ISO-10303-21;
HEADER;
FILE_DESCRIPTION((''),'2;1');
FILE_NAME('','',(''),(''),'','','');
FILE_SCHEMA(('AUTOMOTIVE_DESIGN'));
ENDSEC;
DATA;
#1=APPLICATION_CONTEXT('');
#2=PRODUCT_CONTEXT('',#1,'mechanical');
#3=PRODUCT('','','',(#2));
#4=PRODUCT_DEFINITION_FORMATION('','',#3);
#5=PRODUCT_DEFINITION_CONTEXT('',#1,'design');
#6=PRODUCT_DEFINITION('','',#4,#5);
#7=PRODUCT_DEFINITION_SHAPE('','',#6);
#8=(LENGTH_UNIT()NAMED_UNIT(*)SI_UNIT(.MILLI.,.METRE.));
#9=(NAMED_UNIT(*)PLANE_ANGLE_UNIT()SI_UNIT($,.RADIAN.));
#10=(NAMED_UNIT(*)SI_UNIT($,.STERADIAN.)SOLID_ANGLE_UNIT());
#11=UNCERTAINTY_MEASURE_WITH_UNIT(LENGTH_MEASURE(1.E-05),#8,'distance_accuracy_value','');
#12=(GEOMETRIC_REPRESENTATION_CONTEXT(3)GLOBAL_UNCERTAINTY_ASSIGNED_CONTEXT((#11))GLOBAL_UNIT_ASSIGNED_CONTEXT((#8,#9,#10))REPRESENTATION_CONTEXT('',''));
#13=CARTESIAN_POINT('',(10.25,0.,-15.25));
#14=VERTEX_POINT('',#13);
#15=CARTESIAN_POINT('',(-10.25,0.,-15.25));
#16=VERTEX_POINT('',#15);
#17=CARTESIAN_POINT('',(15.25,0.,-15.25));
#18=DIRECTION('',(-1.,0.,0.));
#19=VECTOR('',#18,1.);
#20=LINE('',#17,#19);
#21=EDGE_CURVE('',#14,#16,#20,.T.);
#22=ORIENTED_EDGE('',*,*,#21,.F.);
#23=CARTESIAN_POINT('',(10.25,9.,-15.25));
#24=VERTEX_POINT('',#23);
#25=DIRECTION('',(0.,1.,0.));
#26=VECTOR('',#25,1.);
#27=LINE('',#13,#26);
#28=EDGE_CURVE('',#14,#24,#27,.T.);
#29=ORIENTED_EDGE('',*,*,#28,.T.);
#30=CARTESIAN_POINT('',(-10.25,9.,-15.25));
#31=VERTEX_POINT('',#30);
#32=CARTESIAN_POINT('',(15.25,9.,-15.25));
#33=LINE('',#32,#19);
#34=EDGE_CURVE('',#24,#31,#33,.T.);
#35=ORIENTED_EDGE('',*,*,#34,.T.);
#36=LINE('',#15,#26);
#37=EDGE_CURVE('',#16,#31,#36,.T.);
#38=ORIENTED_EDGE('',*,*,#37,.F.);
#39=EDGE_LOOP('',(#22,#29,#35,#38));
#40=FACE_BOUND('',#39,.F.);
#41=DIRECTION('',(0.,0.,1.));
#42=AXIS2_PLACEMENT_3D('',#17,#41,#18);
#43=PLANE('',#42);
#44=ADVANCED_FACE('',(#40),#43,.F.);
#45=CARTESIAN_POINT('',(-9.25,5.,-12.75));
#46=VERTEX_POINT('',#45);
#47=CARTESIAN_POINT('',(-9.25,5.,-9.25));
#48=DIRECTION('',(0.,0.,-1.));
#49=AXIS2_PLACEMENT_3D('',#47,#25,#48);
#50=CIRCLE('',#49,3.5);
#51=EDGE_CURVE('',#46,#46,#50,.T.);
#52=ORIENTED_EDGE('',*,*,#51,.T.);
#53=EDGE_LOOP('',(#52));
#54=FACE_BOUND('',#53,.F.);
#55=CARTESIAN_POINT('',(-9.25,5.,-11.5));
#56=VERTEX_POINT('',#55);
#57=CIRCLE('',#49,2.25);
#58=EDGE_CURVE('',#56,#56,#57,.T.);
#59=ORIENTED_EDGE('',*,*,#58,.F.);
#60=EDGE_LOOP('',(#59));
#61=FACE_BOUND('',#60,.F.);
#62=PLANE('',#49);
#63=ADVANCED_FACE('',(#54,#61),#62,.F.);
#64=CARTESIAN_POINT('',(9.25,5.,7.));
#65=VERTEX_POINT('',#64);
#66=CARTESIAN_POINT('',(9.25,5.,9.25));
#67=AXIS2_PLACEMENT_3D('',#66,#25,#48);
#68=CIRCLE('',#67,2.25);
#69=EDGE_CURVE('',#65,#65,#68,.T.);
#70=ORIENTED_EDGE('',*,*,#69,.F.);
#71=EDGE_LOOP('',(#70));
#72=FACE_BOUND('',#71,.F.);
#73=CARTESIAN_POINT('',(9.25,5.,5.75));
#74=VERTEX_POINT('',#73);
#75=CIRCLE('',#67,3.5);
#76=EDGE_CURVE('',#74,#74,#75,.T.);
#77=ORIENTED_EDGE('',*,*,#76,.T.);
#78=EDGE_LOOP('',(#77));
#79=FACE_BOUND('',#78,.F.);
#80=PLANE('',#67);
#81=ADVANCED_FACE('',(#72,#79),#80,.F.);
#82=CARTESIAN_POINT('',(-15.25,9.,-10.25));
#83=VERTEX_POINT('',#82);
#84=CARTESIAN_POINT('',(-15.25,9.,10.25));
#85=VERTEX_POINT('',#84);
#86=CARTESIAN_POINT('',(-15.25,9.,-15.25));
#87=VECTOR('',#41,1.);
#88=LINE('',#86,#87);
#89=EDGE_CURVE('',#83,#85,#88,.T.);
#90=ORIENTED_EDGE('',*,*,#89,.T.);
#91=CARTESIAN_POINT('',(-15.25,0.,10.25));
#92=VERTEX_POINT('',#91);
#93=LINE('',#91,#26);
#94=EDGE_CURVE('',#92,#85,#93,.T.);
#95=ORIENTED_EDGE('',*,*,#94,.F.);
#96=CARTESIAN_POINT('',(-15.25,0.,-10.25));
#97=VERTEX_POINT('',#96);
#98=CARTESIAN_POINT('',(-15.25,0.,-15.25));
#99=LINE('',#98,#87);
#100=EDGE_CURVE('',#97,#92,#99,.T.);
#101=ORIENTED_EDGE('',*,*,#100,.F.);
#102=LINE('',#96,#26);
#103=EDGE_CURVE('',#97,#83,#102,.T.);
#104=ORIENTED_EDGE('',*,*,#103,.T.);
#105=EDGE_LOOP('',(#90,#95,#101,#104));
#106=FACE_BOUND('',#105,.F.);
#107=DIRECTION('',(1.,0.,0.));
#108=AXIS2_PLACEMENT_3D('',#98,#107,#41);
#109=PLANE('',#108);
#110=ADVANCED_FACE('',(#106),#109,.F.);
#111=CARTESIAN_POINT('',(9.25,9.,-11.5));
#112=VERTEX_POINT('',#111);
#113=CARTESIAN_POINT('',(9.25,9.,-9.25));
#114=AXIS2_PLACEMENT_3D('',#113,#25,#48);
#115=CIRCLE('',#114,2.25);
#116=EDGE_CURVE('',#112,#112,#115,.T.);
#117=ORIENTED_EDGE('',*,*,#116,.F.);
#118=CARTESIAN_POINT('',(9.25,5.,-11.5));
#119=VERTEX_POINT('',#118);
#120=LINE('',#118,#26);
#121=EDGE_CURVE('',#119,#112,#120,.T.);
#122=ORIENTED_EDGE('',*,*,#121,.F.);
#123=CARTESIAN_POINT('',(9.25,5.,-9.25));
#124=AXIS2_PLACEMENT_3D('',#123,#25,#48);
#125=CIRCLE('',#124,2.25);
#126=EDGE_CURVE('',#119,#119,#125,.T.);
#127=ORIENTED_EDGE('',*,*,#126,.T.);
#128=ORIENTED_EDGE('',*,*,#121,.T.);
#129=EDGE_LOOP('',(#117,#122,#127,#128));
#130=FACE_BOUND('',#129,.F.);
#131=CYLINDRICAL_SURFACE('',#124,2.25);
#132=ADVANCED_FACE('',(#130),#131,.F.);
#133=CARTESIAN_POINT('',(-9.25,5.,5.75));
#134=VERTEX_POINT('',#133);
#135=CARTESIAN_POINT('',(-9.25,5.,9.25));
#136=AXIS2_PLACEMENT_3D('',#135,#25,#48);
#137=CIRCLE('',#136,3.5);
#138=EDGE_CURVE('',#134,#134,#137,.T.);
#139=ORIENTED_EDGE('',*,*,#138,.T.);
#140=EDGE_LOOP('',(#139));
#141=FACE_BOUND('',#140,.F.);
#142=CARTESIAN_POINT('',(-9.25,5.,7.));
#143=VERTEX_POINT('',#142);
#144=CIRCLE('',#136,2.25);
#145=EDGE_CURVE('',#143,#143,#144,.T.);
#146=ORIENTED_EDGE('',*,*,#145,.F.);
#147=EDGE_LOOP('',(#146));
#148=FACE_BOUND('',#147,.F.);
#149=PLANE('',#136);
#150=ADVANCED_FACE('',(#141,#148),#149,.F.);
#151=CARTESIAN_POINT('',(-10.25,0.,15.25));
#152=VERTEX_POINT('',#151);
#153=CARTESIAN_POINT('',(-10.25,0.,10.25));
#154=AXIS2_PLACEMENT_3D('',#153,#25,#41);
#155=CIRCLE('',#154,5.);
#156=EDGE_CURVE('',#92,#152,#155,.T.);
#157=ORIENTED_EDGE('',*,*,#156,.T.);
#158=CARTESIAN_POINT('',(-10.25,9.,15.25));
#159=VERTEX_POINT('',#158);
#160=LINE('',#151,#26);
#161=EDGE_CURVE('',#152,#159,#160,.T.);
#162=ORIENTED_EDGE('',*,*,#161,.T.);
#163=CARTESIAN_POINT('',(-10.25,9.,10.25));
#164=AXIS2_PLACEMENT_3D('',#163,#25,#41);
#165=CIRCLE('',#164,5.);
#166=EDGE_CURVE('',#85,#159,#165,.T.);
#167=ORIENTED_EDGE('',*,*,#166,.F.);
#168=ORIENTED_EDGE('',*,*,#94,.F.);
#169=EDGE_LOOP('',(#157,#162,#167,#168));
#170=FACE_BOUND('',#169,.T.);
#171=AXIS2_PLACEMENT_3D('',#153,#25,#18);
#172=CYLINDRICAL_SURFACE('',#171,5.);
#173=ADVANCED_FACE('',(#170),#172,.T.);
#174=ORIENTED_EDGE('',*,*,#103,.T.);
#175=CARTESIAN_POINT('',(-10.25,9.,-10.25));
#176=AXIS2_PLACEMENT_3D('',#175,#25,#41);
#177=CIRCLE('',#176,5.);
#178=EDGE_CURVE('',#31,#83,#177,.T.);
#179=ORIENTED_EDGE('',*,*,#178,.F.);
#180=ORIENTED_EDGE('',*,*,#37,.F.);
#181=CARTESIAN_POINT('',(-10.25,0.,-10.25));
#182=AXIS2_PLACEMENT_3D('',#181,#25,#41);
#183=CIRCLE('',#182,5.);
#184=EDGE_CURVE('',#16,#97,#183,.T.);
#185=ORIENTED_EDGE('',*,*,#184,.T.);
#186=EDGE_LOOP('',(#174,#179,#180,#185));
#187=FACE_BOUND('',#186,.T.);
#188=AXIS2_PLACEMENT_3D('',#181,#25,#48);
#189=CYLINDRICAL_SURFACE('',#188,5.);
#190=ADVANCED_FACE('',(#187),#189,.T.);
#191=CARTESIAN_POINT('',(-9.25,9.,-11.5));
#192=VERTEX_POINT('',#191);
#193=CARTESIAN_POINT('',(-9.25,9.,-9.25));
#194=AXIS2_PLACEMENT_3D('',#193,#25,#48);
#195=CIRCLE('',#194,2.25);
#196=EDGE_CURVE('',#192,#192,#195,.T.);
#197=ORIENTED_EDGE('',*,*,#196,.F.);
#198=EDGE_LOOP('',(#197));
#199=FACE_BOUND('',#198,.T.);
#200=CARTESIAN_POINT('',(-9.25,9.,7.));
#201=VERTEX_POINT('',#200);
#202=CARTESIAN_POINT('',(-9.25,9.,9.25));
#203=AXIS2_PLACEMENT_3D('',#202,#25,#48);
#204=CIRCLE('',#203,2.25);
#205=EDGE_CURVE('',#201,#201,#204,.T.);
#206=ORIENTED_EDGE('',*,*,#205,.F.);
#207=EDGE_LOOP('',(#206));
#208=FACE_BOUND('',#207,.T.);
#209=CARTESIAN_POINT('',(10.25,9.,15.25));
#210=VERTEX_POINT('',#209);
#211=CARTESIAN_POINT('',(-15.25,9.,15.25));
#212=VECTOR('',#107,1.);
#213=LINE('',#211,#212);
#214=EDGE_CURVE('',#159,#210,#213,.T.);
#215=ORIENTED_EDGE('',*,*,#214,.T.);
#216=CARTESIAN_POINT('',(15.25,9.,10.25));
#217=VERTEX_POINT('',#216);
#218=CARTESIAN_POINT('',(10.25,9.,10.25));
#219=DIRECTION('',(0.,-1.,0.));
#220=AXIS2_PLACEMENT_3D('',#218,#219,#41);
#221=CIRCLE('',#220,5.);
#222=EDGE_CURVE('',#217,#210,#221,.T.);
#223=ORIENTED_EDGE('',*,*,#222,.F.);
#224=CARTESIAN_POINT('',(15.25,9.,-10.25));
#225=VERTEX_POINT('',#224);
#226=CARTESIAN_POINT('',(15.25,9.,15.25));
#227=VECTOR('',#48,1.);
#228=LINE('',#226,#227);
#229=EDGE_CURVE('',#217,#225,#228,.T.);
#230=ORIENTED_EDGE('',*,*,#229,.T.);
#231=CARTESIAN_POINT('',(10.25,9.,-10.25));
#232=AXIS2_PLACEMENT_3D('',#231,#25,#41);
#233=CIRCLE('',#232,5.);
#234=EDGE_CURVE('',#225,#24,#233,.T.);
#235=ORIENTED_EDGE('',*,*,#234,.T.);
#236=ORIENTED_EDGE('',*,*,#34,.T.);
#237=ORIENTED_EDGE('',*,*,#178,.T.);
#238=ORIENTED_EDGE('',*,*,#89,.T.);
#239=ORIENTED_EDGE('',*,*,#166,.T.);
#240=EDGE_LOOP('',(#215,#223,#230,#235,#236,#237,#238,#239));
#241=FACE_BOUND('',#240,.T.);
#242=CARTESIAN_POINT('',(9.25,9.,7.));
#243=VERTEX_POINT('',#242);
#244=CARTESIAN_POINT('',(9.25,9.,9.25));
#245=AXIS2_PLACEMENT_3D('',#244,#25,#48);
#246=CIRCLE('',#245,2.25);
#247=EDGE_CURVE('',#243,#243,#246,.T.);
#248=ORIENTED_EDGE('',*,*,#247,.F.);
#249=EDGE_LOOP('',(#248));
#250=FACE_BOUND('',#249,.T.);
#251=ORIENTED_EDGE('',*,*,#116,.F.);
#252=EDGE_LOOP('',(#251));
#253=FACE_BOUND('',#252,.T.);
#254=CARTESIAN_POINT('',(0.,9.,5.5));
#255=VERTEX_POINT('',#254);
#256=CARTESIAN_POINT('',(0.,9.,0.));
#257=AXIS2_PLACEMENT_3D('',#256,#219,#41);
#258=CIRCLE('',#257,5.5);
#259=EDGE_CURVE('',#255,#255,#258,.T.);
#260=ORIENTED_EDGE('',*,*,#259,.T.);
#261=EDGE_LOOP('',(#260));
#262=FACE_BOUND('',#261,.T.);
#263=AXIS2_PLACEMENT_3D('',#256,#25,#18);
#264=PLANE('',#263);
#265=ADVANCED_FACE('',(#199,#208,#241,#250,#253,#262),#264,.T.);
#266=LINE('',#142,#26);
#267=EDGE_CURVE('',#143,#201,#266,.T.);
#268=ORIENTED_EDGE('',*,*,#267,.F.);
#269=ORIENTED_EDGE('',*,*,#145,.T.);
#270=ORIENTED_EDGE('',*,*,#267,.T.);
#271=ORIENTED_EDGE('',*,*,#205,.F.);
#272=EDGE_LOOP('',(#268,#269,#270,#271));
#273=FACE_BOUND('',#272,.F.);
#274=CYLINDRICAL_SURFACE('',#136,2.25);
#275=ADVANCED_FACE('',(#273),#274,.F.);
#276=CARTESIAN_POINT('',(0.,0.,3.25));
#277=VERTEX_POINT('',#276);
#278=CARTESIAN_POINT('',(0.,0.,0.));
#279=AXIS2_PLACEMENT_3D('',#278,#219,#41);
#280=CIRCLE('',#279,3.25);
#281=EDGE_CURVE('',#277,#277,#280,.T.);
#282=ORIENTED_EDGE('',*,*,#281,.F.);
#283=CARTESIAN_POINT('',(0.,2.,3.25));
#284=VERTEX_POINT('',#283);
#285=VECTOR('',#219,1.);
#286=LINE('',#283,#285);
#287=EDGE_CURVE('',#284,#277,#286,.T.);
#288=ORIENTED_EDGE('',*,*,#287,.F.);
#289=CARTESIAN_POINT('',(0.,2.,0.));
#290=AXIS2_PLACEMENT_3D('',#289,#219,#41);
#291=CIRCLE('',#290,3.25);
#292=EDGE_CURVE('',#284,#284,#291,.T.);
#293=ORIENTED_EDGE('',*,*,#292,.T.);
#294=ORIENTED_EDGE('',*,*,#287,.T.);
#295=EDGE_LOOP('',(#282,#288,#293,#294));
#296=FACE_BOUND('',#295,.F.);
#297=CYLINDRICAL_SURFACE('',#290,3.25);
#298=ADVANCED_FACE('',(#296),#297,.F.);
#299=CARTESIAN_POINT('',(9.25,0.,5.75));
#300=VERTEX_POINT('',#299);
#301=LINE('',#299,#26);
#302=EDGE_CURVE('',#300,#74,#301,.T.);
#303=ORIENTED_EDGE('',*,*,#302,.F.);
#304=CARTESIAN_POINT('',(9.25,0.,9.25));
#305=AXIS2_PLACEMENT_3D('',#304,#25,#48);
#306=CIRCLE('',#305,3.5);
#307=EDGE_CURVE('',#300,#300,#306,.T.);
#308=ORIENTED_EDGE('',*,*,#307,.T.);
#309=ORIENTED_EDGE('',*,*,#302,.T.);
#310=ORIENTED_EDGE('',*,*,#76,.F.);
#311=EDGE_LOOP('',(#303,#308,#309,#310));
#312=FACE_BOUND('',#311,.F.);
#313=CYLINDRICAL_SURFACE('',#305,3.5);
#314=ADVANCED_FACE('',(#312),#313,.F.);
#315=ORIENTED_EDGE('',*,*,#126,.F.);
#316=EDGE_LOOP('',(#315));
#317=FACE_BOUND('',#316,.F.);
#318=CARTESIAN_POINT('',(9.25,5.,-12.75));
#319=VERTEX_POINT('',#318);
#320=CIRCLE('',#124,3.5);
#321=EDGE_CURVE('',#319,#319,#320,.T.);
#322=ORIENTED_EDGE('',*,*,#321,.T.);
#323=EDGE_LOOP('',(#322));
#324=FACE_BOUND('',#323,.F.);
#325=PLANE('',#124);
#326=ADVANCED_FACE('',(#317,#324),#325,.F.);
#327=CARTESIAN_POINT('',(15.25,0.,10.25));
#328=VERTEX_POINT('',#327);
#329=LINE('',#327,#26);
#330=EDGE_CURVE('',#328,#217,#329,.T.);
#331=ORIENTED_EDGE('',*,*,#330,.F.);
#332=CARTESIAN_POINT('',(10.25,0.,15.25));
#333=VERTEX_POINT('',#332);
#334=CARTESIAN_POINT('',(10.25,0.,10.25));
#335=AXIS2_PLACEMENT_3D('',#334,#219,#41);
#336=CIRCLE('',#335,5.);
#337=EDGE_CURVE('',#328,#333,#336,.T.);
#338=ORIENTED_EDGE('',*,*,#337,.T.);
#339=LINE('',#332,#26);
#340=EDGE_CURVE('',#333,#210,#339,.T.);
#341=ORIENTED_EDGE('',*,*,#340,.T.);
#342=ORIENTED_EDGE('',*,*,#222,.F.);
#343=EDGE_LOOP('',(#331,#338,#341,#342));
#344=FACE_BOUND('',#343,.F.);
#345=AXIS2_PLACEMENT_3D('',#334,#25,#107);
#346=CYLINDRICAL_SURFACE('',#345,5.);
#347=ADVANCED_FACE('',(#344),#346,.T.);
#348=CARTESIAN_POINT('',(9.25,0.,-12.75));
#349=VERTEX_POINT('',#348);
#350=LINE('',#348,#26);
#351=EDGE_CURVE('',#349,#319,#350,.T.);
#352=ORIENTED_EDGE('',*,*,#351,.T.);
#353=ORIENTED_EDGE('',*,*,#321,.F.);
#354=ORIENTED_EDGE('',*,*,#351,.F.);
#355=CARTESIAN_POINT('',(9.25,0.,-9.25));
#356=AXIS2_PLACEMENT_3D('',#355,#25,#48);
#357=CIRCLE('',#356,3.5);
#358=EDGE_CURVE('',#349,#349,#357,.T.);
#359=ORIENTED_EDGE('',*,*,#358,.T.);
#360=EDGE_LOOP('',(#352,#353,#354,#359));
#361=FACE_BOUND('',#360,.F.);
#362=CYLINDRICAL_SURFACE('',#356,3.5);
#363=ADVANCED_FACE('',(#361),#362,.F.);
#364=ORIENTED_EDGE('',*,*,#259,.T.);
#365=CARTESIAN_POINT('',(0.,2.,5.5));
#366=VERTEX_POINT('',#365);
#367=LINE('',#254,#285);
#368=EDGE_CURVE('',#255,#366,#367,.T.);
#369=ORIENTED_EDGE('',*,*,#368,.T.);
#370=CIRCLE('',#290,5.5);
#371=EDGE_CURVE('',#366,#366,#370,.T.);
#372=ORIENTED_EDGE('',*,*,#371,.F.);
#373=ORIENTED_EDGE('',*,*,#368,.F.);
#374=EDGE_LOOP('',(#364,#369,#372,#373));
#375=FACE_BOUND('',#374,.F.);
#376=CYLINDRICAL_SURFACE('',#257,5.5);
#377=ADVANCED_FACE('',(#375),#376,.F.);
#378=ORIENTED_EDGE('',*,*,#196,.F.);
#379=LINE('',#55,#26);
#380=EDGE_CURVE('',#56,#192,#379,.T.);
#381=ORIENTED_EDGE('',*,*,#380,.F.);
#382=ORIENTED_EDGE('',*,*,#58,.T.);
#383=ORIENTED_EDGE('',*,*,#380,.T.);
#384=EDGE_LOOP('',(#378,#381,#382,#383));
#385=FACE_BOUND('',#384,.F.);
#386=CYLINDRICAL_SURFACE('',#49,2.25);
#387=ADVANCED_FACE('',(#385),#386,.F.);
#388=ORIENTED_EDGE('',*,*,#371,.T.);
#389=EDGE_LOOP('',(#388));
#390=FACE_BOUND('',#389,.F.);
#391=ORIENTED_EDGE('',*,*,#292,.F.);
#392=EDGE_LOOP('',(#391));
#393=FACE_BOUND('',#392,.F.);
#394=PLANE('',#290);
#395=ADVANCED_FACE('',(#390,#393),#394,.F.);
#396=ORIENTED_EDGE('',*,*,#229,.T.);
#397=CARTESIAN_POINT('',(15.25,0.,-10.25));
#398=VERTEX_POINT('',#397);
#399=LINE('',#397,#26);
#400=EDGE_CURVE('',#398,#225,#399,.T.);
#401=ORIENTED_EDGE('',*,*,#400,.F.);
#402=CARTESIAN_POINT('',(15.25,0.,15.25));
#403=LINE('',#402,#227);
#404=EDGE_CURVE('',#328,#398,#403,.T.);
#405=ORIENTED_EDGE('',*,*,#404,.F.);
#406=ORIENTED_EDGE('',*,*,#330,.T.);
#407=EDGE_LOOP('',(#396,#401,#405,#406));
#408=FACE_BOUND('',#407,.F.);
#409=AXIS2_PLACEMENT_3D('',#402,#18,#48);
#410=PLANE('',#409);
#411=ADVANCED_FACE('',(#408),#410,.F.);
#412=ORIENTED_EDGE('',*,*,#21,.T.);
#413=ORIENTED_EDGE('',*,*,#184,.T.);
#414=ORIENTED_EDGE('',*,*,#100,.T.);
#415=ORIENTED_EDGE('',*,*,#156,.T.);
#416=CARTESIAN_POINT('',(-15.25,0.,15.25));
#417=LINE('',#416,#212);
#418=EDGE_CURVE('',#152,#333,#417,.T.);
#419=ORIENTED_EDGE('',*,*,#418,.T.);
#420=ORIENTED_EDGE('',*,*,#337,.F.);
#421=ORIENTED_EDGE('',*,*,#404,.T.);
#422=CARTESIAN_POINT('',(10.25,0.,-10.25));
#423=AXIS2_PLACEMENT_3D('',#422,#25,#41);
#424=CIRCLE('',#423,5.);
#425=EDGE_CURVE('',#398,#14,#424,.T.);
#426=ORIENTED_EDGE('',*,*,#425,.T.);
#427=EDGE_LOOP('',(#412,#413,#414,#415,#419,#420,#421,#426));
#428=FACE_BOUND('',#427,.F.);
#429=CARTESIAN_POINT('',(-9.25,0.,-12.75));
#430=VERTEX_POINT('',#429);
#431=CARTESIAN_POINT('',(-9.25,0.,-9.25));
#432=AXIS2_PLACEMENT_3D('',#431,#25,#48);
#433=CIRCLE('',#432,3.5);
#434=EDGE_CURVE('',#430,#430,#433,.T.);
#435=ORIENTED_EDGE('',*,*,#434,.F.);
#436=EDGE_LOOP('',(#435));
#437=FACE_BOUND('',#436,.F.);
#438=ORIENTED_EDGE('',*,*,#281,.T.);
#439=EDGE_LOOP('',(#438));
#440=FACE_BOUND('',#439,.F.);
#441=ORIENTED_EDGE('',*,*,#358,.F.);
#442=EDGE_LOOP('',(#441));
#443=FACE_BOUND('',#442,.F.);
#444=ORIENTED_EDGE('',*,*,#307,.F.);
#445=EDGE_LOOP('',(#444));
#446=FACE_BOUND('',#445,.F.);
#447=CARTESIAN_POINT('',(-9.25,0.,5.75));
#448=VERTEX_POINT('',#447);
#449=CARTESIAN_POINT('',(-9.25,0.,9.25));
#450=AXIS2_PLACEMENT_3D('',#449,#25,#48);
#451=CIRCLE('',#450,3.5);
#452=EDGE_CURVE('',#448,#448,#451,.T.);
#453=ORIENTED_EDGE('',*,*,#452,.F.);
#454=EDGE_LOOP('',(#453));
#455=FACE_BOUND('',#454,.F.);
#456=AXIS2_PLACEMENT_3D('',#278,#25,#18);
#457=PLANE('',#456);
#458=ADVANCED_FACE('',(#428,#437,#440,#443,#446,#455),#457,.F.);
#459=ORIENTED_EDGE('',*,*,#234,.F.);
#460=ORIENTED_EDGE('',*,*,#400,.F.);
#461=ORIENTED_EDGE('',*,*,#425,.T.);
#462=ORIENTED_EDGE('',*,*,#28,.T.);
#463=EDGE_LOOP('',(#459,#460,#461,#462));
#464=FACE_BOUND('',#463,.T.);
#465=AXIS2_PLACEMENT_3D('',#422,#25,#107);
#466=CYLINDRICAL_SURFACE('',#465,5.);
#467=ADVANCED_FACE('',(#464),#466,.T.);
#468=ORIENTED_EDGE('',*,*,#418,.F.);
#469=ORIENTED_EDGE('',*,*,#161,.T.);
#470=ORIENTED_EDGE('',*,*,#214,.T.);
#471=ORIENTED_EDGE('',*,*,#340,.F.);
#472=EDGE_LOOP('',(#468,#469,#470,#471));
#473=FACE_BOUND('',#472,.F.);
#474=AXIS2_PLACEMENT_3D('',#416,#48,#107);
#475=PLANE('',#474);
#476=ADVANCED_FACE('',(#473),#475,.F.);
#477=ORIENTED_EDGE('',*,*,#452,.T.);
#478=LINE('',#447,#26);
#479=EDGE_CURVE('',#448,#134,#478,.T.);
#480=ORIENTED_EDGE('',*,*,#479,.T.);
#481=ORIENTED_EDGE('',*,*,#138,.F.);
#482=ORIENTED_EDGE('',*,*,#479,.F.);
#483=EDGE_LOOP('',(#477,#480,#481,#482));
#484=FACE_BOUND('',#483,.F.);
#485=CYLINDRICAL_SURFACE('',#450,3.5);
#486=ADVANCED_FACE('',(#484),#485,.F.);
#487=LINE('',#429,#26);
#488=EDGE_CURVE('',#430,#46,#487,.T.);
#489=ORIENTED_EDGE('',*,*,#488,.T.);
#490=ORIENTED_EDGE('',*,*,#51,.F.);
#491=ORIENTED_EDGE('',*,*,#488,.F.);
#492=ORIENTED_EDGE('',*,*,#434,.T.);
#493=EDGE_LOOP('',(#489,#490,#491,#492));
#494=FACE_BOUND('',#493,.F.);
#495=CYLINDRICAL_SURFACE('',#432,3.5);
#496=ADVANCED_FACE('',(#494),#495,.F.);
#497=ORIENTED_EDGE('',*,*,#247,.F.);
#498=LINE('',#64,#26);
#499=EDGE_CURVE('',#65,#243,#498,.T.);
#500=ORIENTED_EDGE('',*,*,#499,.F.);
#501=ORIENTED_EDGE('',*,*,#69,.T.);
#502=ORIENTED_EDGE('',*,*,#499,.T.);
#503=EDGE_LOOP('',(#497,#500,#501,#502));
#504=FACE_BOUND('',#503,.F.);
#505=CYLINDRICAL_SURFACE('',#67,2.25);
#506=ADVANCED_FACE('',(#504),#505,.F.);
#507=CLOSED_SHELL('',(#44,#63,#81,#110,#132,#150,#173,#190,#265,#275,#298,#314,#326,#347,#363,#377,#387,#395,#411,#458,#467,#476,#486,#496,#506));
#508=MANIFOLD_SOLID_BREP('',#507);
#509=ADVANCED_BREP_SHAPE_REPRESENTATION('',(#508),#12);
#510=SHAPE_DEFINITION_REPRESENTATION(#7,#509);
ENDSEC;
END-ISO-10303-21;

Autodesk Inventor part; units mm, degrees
ref_plane "YZ Plane" through (0, 0, 0) normal (1, 0, 0) x (0, 1, 0)
ref_plane "XZ Plane" through (0, 0, 0) normal (0, 1, 0) x (-1, 0, 0)
ref_plane "XY Plane" through (0, 0, 0) normal (0, 0, 1) x (1, 0, 0)
sketch "Sketch1" plane through (0, 0, 0) normal (0, 1, 0) x (-1, 0, 0)
  line L0 (-15.25, -15.25) -> (15.25, -15.25)
  line L1 (15.25, -15.25) -> (15.25, 15.25)
  line L2 (15.25, 15.25) -> (-15.25, 15.25)
  line L3 (-15.25, 15.25) -> (-15.25, -15.25)
  line L4 (-15.25, -15.25) -> (15.25, 15.25) construction
  line L5 (15.25, -15.25) -> (-15.25, 15.25) construction
  point P0 (0, 0)
  dimension "d0" = 30.5
  dimension "d1" = 30.5
extrude "Extrusion1" add sketch "Sketch1" along normal blind 9
hole "Hole5" at (0, 9, 0) direction (0, -1, 0) diameter 6.5 end through all counterbore diameter 11 counterbore depth 7
fillet "Fillet1" radius 5 1 edges at (15.25, 4.5, 15.25)
fillet "Fillet2" radius 5 1 edges at (15.25, 4.5, -15.25)
fillet "Fillet3" radius 5 1 edges at (-15.25, 4.5, -15.25)
fillet "Fillet4" radius 5 1 edges at (-15.25, 4.5, 15.25)
hole "Hole10" at (-9.25, 0, -9.25) direction (0, 1, 0) diameter 4.5 end through all counterbore diameter 7 counterbore depth 5
hole "Hole11" at (-9.25, 0, 9.25) direction (0, 1, 0) diameter 4.5 end through all counterbore diameter 7 counterbore depth 5
hole "Hole12" at (9.25, 0, 9.25) direction (0, 1, 0) diameter 4.5 end through all counterbore diameter 7 counterbore depth 5
hole "Hole13" at (9.25, 0, -9.25) direction (0, 1, 0) diameter 4.5 end through all counterbore diameter 7 counterbore depth 5
properties part number "OdourPort_minimal_backplate"
